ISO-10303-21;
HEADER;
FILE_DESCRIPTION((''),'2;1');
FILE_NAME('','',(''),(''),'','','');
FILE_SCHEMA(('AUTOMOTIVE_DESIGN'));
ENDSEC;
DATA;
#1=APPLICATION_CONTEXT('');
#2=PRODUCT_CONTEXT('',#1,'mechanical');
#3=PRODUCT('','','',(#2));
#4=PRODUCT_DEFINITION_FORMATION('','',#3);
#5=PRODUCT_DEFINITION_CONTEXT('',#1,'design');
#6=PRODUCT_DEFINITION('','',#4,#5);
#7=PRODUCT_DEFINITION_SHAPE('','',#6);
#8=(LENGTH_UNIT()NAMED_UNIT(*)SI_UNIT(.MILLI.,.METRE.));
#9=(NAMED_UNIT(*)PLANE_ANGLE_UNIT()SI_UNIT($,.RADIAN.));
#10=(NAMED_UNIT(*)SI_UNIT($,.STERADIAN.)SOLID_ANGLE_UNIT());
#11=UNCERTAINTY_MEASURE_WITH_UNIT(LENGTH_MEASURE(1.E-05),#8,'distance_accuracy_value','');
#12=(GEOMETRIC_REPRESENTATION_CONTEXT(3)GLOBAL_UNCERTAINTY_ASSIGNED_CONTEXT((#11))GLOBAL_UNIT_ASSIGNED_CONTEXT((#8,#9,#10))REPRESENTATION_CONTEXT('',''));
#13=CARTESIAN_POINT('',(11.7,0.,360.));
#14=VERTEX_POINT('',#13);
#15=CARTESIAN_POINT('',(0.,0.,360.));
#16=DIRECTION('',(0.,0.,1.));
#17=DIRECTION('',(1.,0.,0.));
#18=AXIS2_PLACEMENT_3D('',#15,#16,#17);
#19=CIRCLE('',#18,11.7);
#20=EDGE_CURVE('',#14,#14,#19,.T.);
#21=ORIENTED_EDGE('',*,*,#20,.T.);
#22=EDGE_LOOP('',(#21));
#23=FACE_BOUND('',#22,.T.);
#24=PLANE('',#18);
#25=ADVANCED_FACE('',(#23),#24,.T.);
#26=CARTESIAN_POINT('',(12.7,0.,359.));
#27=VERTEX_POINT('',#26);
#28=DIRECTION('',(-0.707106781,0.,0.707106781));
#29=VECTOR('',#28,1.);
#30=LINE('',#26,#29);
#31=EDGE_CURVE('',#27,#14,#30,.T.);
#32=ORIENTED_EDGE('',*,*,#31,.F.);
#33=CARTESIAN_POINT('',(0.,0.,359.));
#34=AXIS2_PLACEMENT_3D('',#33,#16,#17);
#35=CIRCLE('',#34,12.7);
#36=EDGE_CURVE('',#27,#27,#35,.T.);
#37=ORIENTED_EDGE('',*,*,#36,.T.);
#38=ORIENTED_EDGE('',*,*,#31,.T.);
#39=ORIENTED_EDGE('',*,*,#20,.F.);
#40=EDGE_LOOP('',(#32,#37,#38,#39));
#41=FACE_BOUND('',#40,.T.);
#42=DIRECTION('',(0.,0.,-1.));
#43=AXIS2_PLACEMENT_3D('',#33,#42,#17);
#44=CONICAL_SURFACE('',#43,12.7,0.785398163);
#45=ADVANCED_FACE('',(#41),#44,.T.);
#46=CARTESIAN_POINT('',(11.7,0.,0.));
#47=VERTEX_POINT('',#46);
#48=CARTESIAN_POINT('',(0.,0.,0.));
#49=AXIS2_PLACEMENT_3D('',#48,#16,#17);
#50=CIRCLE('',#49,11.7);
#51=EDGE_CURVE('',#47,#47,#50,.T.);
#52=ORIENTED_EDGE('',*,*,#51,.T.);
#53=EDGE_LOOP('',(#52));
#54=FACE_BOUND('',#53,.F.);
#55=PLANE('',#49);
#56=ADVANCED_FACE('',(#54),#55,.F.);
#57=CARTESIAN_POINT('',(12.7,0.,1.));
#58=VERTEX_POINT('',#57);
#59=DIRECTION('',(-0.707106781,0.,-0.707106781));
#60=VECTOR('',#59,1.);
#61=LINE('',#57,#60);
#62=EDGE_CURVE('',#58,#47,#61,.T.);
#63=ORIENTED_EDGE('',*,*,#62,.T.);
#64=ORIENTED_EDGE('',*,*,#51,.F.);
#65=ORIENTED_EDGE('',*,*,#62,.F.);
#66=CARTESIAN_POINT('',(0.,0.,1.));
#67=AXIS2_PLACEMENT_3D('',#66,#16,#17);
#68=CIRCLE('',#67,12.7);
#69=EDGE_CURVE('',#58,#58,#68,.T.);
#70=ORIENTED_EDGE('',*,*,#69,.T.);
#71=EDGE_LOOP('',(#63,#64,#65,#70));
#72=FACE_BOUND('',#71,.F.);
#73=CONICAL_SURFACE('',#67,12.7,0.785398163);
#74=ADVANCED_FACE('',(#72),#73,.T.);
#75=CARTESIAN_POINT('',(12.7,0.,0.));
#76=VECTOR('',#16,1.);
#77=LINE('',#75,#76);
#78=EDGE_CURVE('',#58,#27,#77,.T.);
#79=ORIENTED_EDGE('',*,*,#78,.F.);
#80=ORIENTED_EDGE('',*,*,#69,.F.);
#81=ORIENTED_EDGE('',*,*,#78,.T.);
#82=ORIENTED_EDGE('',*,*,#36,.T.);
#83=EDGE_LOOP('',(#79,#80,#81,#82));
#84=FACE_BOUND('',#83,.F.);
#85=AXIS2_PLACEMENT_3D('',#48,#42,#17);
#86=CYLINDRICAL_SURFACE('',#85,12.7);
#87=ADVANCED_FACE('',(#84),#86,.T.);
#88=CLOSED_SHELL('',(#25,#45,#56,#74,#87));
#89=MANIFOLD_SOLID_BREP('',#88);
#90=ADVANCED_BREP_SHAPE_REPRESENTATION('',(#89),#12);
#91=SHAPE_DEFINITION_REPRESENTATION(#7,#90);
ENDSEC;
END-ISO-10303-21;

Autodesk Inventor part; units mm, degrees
ref_plane "YZ Plane" through (0, 0, 0) normal (1, 0, 0) x (0, 1, 0)
ref_plane "XZ Plane" through (0, 0, 0) normal (0, 1, 0) x (-1, 0, 0)
ref_plane "XY Plane" through (0, 0, 0) normal (0, 0, 1) x (1, 0, 0)
sketch "Sketch1" plane through (0, 0, 0) normal (0, 0, 1) x (1, 0, 0)
  circle A0 centre (0, 0) radius 12.7
  dimension "d0" = 25.4
extrude "Extrusion1" add sketch "Sketch1" along normal blind 360
chamfer "Chamfer1" distance 1 angle 45 2 edges at (-12.7, 0, 360) (-12.7, 0, 0)
properties part number "1221_Center Former Shaft_V1" material "Iron, Gray"
